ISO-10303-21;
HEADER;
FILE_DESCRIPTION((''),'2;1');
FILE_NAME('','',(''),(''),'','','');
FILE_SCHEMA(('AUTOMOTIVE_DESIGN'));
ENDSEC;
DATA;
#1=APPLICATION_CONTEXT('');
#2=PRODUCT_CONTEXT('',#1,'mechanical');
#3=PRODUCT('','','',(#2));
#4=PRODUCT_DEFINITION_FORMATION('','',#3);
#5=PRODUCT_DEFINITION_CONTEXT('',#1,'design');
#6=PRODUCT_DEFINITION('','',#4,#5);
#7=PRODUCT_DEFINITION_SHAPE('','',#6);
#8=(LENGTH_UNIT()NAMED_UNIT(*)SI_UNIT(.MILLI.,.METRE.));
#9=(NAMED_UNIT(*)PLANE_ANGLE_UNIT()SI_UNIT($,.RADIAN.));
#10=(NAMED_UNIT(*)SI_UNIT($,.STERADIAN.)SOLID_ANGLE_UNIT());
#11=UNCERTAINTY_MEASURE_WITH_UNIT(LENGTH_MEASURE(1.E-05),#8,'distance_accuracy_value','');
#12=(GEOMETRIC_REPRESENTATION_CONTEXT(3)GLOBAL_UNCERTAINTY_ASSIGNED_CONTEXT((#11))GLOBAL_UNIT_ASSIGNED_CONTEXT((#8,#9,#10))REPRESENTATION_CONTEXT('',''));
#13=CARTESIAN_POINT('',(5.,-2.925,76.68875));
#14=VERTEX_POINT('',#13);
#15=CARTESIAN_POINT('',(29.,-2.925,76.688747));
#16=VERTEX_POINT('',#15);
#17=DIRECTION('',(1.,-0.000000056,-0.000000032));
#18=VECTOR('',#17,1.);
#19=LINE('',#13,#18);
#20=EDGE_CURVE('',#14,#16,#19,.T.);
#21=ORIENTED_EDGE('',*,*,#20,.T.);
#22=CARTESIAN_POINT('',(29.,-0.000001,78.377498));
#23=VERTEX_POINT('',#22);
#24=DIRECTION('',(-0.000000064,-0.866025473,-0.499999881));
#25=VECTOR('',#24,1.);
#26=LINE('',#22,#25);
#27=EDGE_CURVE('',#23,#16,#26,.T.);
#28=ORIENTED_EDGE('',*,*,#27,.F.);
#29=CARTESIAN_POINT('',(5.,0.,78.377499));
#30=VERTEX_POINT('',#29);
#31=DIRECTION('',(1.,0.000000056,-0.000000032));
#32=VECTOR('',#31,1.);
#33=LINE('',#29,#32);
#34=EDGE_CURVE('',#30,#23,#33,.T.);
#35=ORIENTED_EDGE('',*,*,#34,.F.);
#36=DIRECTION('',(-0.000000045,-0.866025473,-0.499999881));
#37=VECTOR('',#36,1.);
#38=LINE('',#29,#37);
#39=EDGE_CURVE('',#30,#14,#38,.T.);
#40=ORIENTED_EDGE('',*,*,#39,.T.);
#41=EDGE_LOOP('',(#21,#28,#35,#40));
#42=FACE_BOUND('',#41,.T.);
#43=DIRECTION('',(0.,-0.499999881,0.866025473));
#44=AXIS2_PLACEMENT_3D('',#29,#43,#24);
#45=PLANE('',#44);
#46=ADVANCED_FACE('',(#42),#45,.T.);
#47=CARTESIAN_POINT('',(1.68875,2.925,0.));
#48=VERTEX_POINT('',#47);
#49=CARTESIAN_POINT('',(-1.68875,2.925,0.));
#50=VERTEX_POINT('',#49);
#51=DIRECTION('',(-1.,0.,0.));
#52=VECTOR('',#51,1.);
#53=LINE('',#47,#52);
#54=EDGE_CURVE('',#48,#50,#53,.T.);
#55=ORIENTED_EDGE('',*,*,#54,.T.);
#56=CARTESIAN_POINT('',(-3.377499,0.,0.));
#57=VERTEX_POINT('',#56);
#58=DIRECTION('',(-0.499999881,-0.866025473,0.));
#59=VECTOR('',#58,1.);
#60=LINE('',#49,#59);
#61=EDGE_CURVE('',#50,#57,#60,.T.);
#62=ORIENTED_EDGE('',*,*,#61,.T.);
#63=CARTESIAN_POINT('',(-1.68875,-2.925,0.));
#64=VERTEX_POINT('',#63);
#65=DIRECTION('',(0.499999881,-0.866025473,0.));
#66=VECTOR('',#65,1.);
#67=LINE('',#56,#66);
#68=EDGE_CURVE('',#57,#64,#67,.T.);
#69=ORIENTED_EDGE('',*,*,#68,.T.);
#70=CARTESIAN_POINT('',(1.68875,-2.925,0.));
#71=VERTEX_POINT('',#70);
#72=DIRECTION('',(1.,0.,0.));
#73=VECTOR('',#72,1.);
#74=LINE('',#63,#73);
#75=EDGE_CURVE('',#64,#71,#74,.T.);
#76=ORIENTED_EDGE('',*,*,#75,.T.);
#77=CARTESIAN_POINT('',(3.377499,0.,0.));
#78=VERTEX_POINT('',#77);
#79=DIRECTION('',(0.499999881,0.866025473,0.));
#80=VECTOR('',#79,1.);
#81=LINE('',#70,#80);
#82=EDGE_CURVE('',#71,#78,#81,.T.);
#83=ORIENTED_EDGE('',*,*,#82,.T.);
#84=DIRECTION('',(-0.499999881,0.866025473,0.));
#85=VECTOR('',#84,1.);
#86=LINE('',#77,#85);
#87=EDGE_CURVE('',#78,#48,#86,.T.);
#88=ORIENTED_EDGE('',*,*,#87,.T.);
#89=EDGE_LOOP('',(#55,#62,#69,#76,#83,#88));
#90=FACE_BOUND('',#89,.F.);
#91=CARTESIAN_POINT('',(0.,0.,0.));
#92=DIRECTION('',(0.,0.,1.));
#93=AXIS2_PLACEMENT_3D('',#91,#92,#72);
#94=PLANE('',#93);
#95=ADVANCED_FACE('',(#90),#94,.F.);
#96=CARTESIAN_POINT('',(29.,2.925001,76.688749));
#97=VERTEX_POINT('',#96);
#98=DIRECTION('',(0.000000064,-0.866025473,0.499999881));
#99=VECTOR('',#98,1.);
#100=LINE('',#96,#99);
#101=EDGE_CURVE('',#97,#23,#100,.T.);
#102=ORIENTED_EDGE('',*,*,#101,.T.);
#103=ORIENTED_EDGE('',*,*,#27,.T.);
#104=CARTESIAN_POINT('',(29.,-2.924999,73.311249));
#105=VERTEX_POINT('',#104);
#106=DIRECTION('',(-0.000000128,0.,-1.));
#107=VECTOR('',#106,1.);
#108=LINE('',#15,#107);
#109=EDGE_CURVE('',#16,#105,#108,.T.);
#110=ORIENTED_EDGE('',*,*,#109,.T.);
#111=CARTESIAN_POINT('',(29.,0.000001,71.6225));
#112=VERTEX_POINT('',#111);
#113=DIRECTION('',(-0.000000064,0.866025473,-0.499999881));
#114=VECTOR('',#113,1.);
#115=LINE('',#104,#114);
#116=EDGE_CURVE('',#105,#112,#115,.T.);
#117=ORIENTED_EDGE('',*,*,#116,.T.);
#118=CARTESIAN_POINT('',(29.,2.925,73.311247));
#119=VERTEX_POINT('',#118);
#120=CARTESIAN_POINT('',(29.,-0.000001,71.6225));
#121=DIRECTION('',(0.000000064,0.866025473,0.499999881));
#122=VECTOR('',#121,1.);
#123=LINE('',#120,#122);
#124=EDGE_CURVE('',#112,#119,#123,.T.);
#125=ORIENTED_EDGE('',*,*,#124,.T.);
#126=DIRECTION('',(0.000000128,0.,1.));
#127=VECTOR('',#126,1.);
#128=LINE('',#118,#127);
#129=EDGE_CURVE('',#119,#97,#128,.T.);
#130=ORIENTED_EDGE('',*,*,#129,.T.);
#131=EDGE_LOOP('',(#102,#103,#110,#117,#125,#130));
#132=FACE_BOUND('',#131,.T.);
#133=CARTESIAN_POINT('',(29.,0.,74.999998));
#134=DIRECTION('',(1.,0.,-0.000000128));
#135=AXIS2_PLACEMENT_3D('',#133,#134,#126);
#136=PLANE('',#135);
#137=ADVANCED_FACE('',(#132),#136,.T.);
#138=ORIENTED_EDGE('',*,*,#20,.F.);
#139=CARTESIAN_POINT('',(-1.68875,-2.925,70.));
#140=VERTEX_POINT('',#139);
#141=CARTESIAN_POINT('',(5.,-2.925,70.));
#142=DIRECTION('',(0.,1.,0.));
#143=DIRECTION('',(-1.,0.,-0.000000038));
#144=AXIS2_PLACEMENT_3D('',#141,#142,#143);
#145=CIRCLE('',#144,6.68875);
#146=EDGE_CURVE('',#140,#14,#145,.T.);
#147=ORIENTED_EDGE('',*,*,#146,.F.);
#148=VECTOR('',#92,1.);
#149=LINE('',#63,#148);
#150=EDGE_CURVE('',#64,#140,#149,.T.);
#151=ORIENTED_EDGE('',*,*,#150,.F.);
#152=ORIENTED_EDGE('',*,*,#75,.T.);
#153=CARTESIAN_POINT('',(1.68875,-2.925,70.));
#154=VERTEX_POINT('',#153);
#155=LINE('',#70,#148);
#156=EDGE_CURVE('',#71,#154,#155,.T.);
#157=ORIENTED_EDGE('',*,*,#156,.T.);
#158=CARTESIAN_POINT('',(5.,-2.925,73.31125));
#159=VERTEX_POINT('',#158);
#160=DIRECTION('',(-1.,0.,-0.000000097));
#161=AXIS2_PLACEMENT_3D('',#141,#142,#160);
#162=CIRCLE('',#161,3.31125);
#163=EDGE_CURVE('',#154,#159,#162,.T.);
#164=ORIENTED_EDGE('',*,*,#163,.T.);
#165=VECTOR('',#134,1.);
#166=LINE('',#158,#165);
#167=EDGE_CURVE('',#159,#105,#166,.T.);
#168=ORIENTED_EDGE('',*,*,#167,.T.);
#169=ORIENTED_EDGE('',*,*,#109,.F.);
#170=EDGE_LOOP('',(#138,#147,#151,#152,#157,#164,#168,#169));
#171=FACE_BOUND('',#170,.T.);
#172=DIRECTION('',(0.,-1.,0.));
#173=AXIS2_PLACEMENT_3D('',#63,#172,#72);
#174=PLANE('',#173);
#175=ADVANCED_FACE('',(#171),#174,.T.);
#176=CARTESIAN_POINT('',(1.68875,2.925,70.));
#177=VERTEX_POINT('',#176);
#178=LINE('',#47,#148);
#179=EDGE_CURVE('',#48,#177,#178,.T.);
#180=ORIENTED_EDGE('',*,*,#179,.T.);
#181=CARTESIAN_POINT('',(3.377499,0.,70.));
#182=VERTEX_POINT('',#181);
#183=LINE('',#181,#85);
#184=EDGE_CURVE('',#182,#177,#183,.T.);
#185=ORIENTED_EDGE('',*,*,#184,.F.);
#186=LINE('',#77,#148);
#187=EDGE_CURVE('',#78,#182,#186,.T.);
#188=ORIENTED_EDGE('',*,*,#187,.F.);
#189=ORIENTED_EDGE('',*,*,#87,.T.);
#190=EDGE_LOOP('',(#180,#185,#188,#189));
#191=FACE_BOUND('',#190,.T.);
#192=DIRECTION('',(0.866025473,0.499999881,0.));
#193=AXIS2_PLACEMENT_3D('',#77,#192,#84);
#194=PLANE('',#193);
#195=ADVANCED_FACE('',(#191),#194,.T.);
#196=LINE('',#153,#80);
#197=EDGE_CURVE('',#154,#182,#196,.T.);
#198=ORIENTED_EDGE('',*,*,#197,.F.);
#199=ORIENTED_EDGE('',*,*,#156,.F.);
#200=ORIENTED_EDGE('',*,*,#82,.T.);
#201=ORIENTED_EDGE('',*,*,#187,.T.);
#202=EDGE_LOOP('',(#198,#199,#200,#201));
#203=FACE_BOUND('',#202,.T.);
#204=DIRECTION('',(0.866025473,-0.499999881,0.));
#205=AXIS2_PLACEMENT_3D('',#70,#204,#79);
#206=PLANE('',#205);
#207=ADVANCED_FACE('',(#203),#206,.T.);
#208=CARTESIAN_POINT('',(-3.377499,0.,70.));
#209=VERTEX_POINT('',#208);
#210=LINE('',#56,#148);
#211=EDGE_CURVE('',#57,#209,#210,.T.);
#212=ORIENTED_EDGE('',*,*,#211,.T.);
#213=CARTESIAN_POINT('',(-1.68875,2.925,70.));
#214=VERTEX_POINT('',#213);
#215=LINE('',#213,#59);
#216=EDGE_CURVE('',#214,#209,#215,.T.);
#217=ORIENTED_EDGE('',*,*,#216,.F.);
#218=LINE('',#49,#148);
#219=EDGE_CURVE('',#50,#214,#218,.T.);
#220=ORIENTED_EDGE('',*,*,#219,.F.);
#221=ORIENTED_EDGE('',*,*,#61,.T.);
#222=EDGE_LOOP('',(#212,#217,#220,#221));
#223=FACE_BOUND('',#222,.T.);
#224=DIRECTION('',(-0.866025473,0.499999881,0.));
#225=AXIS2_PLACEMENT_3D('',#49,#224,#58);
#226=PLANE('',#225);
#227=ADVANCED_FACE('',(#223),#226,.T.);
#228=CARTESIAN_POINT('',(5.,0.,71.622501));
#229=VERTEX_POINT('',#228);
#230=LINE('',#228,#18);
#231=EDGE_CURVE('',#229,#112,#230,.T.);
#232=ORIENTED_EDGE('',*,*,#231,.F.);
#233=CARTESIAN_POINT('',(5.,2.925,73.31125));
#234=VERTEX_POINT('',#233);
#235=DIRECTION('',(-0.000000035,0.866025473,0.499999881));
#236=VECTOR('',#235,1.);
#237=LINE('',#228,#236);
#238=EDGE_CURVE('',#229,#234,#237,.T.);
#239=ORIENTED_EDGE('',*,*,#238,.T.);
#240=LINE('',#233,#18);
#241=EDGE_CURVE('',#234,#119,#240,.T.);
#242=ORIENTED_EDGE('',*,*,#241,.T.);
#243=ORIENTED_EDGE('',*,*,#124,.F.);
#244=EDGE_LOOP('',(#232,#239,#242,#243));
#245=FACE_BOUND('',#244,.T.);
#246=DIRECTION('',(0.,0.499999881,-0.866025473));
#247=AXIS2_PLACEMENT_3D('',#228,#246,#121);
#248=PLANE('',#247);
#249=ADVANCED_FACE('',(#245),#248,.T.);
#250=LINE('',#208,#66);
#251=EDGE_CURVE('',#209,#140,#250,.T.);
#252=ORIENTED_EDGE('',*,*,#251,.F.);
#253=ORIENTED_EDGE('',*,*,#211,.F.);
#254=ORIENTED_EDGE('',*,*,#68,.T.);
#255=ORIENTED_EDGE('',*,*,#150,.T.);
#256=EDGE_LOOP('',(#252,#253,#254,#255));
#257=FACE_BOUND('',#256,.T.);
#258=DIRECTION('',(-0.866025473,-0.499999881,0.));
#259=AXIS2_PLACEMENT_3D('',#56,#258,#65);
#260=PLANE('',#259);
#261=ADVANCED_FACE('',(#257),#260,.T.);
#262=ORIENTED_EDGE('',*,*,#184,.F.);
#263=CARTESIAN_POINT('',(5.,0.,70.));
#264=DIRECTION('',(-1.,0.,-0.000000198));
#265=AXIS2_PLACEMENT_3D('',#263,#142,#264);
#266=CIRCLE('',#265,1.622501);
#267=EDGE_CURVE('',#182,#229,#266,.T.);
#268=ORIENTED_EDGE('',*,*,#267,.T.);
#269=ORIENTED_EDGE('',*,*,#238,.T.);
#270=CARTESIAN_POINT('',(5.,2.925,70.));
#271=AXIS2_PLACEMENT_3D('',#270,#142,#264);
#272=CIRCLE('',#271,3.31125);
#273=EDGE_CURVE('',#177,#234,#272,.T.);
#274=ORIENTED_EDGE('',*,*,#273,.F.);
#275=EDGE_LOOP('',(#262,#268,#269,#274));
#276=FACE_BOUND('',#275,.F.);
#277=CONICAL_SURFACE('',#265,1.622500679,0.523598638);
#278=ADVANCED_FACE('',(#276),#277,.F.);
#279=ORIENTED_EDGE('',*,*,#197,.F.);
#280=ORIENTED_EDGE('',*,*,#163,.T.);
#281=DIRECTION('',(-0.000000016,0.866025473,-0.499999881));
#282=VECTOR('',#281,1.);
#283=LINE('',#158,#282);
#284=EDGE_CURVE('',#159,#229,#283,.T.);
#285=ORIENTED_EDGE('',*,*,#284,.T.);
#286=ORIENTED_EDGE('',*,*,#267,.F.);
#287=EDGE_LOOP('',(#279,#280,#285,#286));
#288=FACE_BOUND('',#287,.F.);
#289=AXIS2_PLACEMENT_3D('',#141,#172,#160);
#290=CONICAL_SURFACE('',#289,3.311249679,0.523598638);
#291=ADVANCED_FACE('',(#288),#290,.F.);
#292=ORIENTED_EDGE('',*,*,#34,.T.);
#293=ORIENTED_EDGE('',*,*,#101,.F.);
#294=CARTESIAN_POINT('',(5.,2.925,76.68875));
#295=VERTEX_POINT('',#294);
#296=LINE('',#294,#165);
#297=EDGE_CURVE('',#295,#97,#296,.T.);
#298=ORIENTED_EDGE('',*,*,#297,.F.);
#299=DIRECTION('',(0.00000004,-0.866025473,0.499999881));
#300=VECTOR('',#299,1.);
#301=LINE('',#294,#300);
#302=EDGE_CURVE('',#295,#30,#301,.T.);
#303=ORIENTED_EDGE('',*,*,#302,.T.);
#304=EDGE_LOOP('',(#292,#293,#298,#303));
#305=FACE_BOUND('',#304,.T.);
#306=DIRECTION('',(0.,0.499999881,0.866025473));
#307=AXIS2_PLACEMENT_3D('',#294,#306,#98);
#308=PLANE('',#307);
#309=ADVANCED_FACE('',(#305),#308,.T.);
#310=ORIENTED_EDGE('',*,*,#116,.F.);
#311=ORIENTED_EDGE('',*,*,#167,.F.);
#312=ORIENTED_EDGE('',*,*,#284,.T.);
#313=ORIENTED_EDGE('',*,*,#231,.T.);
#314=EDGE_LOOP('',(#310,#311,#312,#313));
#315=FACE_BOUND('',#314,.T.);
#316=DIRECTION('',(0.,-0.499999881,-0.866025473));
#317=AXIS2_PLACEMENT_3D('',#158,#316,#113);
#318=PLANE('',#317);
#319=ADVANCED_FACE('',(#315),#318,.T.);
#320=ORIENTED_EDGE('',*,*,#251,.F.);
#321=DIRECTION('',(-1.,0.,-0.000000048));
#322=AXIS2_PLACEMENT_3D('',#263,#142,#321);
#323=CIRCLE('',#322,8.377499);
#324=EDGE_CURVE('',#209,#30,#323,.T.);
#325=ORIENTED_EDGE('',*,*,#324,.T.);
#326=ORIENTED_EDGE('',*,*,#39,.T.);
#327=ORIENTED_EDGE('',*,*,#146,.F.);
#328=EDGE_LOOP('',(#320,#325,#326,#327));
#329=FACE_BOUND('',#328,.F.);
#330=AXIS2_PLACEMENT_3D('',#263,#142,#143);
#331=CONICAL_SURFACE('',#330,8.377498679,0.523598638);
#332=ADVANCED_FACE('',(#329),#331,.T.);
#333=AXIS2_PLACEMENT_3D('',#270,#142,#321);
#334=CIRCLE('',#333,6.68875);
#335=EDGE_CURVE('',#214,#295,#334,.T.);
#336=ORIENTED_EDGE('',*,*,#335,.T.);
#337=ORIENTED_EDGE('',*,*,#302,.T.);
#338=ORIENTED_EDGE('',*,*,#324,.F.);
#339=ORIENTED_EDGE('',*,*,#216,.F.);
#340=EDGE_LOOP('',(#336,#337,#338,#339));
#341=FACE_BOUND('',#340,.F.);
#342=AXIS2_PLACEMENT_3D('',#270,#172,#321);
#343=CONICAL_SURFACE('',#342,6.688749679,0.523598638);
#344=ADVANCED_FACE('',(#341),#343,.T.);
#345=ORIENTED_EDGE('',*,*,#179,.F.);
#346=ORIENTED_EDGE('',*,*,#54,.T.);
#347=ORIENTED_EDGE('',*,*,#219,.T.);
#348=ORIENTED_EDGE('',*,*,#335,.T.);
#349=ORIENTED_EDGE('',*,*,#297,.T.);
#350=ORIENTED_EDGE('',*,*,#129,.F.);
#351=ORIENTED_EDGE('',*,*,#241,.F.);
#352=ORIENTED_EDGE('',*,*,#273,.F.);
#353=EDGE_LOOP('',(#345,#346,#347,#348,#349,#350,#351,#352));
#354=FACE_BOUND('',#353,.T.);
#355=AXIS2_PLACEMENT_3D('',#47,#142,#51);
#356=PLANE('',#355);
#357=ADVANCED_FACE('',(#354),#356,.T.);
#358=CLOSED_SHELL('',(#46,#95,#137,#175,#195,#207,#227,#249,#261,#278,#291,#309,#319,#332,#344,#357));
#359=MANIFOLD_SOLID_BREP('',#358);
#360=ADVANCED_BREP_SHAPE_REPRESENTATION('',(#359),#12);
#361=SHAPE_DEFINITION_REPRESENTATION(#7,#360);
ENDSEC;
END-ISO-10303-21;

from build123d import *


with BuildPart() as f2:
    # F2: sweep along a path in F1
    with BuildLine(Plane.XZ) as f2_path:
        Line((0, 0), (0, 70))
        ThreePointArc((0, 70), (1.464466, 73.535534), (5, 75))
        Line((5, 75), (29, 75))
    # F0 (on Top) → F2 (sweep)
    with BuildSketch(Plane.XY):
        Polygon((3.377499, 0), (1.68875, 2.925), (-1.68875, 2.925), (-3.377499, 0), (-1.68875, -2.925), (1.68875, -2.925), align=None)
    sweep(path=f2_path.line)


solid = f2.part
